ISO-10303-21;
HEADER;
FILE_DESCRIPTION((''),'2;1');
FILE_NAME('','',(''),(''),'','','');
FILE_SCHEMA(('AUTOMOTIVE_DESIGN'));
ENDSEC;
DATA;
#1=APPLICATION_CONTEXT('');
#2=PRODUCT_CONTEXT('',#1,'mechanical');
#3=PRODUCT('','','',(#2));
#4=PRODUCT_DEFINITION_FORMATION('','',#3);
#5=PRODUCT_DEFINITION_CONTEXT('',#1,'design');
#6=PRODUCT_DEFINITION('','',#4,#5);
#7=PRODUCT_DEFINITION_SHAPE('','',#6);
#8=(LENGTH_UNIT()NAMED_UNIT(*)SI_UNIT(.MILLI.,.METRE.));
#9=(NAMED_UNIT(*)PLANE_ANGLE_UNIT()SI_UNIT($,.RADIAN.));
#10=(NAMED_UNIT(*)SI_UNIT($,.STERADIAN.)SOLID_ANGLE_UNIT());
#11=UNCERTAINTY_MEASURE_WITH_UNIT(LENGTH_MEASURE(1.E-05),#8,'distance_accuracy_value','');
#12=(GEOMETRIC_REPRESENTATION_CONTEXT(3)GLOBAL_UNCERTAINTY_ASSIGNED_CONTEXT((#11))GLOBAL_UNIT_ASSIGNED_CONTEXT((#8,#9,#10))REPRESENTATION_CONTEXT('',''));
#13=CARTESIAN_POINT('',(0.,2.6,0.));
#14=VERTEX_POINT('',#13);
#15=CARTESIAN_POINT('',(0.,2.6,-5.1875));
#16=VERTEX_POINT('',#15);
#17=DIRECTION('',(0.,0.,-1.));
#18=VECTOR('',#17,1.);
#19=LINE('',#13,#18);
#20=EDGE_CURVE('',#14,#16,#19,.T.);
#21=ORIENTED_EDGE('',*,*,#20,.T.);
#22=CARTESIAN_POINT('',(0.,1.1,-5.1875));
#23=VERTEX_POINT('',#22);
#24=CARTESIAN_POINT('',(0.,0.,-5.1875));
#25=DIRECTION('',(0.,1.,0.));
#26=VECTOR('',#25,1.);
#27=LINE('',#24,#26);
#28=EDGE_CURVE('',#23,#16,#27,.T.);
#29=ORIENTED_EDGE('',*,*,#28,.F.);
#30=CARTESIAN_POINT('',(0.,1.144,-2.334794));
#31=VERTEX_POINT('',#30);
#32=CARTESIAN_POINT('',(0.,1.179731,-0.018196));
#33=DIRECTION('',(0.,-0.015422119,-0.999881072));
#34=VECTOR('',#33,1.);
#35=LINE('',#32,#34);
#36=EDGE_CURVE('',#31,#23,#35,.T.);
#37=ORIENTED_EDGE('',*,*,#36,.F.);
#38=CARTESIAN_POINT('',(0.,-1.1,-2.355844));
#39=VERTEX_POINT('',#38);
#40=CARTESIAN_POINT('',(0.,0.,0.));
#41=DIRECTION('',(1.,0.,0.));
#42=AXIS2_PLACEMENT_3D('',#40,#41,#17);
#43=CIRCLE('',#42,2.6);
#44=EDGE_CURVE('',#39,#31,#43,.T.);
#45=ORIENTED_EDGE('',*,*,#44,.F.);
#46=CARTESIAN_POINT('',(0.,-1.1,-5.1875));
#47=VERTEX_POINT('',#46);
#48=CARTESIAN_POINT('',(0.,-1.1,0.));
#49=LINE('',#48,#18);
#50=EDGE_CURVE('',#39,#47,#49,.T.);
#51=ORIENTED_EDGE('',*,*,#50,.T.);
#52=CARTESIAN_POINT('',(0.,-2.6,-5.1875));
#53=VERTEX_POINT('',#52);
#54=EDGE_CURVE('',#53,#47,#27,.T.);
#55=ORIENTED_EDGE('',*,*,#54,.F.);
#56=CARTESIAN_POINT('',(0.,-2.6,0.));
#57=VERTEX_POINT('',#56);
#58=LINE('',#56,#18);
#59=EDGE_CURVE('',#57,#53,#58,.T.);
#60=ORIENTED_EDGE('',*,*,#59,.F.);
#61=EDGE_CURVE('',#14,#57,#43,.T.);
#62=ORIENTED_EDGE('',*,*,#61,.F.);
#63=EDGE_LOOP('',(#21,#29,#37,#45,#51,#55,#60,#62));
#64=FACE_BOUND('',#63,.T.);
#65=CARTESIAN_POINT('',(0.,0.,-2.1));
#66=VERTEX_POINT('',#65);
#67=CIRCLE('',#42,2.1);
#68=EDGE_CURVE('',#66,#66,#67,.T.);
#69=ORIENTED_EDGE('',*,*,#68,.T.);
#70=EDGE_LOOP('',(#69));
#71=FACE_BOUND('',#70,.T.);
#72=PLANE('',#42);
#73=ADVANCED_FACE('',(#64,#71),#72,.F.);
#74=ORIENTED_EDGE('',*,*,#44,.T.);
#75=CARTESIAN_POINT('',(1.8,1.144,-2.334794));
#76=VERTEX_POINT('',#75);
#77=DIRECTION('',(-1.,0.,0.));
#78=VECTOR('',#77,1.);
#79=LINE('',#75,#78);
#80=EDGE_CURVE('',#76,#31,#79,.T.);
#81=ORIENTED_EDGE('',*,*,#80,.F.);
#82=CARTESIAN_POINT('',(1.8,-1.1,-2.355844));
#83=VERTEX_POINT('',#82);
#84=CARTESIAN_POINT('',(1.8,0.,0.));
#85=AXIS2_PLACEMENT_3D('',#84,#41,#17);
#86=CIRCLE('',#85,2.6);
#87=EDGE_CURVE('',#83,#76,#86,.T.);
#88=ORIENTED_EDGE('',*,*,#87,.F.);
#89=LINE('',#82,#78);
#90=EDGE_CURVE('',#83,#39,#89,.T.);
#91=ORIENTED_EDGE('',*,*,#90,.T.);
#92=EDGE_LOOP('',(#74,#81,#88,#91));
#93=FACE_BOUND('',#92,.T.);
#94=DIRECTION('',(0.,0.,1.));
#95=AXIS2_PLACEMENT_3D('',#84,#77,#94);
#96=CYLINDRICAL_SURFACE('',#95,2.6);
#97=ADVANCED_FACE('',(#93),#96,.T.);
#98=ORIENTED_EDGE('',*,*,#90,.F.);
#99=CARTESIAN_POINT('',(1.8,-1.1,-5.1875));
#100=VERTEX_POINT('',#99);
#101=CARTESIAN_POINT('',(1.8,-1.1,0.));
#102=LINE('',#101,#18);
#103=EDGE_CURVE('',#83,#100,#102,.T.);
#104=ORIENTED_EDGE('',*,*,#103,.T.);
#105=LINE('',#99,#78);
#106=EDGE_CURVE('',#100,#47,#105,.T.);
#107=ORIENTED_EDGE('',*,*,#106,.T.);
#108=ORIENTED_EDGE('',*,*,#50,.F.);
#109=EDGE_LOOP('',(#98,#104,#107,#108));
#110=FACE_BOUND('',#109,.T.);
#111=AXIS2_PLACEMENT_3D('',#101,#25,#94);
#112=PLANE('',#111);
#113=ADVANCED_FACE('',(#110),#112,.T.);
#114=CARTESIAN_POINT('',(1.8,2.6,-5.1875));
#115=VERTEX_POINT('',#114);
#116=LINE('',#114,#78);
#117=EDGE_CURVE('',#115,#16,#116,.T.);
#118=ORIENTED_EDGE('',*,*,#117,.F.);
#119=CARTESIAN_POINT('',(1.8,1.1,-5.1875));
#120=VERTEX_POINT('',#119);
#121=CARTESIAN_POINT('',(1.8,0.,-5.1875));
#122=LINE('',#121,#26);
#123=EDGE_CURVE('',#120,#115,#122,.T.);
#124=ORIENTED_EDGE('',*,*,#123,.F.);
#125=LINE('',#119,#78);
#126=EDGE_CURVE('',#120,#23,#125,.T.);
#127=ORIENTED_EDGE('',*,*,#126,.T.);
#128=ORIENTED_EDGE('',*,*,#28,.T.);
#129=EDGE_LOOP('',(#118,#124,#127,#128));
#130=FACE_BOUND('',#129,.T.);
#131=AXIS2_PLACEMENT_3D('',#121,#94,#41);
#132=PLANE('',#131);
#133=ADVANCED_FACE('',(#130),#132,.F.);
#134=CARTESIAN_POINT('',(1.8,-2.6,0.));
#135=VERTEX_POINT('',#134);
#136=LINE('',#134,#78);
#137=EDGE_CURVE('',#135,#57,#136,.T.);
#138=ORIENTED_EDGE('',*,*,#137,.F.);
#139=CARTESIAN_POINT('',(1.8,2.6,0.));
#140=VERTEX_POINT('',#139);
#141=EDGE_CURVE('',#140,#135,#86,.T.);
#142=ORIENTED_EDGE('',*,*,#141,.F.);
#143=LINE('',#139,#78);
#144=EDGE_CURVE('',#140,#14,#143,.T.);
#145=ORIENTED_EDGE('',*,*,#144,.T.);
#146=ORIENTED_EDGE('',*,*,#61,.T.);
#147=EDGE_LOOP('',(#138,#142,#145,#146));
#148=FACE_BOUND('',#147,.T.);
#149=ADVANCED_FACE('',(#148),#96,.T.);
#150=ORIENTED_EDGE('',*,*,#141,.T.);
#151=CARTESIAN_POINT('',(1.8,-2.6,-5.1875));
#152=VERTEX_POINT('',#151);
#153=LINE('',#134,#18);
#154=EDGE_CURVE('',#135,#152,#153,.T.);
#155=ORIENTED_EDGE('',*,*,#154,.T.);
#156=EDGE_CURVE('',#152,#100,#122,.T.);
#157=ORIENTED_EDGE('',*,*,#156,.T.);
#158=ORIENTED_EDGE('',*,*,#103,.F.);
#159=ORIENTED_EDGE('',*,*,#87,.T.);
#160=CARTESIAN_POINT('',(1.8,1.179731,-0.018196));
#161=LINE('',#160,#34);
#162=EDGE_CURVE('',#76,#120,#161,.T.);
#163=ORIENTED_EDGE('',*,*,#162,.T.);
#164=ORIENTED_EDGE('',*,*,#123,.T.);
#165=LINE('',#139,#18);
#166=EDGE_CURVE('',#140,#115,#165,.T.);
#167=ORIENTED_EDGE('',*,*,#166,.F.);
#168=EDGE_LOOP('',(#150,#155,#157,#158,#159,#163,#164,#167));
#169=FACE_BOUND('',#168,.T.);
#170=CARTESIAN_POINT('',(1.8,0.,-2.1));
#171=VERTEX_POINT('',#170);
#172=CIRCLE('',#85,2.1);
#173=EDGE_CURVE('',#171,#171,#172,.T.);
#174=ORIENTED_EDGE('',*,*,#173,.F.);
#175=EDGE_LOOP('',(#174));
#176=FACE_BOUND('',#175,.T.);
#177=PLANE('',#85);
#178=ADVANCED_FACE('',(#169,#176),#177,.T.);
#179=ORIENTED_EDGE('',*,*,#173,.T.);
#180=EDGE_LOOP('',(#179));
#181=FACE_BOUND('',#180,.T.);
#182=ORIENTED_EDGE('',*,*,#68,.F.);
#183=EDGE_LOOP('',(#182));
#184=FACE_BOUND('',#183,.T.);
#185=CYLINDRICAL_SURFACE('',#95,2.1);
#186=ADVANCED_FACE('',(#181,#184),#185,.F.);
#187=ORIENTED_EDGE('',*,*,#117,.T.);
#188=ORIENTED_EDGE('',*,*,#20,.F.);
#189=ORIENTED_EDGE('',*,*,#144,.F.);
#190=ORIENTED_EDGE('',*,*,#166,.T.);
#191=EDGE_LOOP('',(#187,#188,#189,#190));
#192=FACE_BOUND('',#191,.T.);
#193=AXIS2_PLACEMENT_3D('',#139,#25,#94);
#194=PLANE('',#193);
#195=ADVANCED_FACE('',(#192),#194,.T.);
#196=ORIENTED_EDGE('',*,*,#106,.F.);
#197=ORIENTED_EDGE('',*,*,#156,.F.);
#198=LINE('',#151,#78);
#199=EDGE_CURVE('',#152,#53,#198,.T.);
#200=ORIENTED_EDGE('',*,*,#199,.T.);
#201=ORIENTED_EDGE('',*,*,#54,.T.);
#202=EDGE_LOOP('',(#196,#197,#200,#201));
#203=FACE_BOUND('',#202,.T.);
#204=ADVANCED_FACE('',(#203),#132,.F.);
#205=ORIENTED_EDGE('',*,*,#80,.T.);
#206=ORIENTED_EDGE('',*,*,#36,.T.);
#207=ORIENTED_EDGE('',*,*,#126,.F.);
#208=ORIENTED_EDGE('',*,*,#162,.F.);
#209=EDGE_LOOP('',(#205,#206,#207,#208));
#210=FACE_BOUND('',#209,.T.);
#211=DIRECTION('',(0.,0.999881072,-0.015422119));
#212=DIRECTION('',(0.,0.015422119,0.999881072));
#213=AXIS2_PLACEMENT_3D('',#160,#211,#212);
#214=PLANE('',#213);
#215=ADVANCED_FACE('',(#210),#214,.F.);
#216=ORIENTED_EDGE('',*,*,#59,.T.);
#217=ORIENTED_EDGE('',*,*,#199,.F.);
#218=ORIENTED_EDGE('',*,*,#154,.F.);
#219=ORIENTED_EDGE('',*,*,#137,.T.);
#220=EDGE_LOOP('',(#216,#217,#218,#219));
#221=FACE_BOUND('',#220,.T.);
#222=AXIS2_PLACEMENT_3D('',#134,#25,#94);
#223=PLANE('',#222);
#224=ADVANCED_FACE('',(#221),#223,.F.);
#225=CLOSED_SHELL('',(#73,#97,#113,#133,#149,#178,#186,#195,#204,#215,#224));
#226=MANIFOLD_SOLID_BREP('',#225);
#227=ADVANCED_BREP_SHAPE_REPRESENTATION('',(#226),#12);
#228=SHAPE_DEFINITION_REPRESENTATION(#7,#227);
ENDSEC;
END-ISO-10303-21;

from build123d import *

# Parameters (mm, degrees)
SKETCH1_R           = 2.1
BOSS_EXTRUDE2_DEPTH = 1.8


with BuildPart() as part:
    # Sketch1 → Boss-Extrude2 (new body)
    with BuildSketch(Plane.YZ):
        with BuildLine():
            Line((-2.6, 0), (-2.6, -5.1875))
            Line((-2.6, -5.1875), (-1.1, -5.1875))
            Line((-1.1, -5.1875), (-1.1, -2.355843798))
            ThreePointArc((-1.1, -2.355843798), (0.024387933, -2.599885618), (1.144, -2.334794209))
            Line((1.144, -2.334794209), (1.1, -5.1875))
            Line((1.1, -5.1875), (2.6, -5.1875))
            Line((2.6, -5.1875), (2.6, 0))
            ThreePointArc((2.6, 0), (0, 2.6), (-2.6, 0))
        make_face()
        with Locations(Location((0, 0, 0), (0, 0, 270))):
            Circle(SKETCH1_R, mode=Mode.SUBTRACT)
    extrude(amount=BOSS_EXTRUDE2_DEPTH)


solid = part.part
